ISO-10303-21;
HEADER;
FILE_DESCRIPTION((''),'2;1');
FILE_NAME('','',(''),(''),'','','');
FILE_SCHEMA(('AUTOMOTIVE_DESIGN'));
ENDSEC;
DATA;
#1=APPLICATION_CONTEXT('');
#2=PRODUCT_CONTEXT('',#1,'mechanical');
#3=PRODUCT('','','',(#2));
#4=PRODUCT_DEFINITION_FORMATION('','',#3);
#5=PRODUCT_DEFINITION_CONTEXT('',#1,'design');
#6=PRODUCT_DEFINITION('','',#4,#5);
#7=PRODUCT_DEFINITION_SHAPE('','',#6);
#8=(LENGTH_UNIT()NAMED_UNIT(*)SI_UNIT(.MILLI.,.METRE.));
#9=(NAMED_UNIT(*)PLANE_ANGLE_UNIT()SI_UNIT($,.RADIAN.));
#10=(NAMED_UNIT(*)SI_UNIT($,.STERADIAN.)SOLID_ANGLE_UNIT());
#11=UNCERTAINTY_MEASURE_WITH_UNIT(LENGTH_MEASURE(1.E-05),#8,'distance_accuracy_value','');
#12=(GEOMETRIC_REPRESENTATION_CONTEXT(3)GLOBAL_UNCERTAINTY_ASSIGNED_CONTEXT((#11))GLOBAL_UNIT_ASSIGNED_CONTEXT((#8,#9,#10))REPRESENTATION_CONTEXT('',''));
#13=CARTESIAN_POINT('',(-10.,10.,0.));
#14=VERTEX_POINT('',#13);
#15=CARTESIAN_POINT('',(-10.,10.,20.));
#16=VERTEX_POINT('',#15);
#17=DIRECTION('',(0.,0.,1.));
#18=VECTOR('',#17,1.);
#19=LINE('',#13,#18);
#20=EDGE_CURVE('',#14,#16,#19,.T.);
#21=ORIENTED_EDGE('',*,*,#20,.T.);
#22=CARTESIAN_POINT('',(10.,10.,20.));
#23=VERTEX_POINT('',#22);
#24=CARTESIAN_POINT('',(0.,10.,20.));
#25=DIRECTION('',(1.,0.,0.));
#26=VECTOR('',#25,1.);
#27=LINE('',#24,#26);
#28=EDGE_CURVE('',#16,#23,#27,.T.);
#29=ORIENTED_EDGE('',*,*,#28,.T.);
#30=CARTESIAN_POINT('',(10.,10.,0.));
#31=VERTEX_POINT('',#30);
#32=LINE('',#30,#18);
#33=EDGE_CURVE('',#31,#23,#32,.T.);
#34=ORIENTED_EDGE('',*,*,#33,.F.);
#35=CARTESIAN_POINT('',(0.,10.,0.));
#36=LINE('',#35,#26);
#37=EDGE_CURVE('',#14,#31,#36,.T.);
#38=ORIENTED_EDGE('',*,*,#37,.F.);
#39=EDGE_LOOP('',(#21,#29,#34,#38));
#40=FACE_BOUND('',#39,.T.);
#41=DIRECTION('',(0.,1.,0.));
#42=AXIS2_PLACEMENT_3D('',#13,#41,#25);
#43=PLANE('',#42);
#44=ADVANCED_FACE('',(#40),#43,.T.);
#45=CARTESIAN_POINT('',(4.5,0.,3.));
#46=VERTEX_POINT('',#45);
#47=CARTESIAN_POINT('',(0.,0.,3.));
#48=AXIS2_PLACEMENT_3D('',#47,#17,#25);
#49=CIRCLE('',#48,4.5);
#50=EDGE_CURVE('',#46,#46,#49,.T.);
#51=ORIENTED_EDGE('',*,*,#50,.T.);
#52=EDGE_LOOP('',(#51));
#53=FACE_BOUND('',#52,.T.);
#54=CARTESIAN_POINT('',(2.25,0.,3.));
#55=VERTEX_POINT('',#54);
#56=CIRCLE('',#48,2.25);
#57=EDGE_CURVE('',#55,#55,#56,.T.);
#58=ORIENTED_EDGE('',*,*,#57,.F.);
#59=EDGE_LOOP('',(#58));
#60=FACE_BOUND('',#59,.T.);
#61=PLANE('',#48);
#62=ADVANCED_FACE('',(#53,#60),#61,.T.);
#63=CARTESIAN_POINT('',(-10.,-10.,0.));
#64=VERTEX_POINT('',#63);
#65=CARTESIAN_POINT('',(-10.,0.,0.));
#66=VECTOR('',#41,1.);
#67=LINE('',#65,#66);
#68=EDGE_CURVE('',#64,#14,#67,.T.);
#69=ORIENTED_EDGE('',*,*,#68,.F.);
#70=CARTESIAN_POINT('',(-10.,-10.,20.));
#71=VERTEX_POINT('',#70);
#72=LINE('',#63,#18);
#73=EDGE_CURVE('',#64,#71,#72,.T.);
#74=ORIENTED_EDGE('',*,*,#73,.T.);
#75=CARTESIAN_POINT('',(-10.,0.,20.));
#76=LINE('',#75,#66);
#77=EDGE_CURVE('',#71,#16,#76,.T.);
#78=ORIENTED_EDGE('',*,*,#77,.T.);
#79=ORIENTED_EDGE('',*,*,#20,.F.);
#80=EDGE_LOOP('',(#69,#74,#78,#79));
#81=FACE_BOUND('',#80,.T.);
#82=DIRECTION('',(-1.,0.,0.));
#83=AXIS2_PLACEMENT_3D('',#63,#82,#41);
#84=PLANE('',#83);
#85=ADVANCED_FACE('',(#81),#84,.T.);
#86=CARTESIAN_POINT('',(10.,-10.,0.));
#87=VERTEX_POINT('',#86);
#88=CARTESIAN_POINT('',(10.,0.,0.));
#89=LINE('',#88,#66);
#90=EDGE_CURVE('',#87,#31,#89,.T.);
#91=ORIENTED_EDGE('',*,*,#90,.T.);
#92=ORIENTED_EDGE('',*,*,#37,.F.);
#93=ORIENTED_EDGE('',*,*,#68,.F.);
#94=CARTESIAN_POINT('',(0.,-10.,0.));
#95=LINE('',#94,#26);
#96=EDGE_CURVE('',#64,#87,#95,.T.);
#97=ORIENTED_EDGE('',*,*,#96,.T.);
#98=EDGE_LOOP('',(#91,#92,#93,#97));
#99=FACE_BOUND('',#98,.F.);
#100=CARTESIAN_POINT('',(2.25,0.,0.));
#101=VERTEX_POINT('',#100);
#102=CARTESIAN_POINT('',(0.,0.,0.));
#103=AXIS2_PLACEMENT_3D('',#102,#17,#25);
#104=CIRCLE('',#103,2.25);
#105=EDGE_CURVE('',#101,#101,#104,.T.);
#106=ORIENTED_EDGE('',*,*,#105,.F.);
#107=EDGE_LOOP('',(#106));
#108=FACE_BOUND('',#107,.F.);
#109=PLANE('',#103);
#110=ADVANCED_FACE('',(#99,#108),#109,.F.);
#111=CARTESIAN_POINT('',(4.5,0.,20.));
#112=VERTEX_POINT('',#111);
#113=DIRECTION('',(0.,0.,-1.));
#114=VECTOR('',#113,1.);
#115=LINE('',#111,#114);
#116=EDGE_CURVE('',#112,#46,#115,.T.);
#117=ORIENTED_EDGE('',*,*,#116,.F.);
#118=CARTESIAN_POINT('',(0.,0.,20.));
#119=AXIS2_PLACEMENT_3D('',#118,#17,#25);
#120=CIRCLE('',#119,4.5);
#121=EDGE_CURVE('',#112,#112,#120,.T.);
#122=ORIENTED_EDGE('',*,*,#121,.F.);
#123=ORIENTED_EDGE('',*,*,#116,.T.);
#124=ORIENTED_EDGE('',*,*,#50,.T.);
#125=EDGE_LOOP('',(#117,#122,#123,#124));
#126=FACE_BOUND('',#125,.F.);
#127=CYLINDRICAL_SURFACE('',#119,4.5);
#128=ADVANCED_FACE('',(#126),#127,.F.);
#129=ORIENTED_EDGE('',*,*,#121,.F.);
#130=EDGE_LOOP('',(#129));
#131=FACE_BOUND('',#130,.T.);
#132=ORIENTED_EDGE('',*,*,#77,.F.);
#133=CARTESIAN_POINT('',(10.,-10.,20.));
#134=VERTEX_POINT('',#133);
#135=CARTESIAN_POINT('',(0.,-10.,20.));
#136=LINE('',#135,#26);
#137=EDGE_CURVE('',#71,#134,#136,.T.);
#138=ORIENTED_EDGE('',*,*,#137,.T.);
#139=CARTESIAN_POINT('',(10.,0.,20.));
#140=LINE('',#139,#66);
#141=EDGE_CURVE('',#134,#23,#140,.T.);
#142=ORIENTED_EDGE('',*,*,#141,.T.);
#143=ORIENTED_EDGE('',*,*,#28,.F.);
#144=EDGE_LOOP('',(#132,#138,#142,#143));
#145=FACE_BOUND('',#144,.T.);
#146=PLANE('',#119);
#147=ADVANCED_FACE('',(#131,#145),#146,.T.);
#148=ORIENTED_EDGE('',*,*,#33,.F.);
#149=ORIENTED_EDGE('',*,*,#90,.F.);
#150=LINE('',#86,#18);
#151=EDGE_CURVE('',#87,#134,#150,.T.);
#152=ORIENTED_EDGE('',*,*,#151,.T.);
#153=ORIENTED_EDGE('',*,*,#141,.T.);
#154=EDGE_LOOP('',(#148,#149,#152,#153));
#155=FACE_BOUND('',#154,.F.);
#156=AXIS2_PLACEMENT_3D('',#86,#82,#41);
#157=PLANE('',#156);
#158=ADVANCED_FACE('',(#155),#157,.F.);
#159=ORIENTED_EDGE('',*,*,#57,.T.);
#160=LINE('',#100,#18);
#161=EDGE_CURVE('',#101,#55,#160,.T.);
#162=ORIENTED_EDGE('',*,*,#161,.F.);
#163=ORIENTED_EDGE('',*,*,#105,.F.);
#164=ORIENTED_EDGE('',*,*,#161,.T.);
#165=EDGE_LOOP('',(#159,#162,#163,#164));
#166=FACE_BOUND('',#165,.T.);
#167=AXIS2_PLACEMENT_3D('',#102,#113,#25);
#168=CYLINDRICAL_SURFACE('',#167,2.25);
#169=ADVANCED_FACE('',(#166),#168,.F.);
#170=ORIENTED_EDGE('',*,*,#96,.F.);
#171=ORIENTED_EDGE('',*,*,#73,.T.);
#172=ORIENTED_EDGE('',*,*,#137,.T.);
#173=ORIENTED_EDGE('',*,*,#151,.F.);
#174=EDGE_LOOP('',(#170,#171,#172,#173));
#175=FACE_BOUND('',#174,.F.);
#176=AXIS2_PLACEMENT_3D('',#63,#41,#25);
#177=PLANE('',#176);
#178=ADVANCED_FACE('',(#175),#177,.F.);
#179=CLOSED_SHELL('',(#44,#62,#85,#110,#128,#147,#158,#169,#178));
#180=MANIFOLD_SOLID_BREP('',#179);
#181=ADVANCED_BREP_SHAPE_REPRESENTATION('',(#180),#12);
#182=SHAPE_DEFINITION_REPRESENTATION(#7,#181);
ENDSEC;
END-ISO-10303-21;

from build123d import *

# Parameters (mm, degrees)
F0_W     = 20
F0_H     = 20
F0_R     = 2.25
F1_DEPTH = 20
F2_R     = 4.5
F2_R_2   = 2.25
F3_DEPTH = 17


with BuildPart() as f1:
    # F0 (on Top) → F1 (new body)
    with BuildSketch(Plane.XY):
        Rectangle(F0_W, F0_H)
        Circle(F0_R, mode=Mode.SUBTRACT)
    extrude(amount=F1_DEPTH)

    # F2 (on face) → F3 (cut)
    with BuildSketch(Plane.XY.offset(20)):
        Circle(F2_R)
        Circle(F2_R_2, mode=Mode.SUBTRACT)
    extrude(amount=-F3_DEPTH, mode=Mode.SUBTRACT)


solid = f1.part
